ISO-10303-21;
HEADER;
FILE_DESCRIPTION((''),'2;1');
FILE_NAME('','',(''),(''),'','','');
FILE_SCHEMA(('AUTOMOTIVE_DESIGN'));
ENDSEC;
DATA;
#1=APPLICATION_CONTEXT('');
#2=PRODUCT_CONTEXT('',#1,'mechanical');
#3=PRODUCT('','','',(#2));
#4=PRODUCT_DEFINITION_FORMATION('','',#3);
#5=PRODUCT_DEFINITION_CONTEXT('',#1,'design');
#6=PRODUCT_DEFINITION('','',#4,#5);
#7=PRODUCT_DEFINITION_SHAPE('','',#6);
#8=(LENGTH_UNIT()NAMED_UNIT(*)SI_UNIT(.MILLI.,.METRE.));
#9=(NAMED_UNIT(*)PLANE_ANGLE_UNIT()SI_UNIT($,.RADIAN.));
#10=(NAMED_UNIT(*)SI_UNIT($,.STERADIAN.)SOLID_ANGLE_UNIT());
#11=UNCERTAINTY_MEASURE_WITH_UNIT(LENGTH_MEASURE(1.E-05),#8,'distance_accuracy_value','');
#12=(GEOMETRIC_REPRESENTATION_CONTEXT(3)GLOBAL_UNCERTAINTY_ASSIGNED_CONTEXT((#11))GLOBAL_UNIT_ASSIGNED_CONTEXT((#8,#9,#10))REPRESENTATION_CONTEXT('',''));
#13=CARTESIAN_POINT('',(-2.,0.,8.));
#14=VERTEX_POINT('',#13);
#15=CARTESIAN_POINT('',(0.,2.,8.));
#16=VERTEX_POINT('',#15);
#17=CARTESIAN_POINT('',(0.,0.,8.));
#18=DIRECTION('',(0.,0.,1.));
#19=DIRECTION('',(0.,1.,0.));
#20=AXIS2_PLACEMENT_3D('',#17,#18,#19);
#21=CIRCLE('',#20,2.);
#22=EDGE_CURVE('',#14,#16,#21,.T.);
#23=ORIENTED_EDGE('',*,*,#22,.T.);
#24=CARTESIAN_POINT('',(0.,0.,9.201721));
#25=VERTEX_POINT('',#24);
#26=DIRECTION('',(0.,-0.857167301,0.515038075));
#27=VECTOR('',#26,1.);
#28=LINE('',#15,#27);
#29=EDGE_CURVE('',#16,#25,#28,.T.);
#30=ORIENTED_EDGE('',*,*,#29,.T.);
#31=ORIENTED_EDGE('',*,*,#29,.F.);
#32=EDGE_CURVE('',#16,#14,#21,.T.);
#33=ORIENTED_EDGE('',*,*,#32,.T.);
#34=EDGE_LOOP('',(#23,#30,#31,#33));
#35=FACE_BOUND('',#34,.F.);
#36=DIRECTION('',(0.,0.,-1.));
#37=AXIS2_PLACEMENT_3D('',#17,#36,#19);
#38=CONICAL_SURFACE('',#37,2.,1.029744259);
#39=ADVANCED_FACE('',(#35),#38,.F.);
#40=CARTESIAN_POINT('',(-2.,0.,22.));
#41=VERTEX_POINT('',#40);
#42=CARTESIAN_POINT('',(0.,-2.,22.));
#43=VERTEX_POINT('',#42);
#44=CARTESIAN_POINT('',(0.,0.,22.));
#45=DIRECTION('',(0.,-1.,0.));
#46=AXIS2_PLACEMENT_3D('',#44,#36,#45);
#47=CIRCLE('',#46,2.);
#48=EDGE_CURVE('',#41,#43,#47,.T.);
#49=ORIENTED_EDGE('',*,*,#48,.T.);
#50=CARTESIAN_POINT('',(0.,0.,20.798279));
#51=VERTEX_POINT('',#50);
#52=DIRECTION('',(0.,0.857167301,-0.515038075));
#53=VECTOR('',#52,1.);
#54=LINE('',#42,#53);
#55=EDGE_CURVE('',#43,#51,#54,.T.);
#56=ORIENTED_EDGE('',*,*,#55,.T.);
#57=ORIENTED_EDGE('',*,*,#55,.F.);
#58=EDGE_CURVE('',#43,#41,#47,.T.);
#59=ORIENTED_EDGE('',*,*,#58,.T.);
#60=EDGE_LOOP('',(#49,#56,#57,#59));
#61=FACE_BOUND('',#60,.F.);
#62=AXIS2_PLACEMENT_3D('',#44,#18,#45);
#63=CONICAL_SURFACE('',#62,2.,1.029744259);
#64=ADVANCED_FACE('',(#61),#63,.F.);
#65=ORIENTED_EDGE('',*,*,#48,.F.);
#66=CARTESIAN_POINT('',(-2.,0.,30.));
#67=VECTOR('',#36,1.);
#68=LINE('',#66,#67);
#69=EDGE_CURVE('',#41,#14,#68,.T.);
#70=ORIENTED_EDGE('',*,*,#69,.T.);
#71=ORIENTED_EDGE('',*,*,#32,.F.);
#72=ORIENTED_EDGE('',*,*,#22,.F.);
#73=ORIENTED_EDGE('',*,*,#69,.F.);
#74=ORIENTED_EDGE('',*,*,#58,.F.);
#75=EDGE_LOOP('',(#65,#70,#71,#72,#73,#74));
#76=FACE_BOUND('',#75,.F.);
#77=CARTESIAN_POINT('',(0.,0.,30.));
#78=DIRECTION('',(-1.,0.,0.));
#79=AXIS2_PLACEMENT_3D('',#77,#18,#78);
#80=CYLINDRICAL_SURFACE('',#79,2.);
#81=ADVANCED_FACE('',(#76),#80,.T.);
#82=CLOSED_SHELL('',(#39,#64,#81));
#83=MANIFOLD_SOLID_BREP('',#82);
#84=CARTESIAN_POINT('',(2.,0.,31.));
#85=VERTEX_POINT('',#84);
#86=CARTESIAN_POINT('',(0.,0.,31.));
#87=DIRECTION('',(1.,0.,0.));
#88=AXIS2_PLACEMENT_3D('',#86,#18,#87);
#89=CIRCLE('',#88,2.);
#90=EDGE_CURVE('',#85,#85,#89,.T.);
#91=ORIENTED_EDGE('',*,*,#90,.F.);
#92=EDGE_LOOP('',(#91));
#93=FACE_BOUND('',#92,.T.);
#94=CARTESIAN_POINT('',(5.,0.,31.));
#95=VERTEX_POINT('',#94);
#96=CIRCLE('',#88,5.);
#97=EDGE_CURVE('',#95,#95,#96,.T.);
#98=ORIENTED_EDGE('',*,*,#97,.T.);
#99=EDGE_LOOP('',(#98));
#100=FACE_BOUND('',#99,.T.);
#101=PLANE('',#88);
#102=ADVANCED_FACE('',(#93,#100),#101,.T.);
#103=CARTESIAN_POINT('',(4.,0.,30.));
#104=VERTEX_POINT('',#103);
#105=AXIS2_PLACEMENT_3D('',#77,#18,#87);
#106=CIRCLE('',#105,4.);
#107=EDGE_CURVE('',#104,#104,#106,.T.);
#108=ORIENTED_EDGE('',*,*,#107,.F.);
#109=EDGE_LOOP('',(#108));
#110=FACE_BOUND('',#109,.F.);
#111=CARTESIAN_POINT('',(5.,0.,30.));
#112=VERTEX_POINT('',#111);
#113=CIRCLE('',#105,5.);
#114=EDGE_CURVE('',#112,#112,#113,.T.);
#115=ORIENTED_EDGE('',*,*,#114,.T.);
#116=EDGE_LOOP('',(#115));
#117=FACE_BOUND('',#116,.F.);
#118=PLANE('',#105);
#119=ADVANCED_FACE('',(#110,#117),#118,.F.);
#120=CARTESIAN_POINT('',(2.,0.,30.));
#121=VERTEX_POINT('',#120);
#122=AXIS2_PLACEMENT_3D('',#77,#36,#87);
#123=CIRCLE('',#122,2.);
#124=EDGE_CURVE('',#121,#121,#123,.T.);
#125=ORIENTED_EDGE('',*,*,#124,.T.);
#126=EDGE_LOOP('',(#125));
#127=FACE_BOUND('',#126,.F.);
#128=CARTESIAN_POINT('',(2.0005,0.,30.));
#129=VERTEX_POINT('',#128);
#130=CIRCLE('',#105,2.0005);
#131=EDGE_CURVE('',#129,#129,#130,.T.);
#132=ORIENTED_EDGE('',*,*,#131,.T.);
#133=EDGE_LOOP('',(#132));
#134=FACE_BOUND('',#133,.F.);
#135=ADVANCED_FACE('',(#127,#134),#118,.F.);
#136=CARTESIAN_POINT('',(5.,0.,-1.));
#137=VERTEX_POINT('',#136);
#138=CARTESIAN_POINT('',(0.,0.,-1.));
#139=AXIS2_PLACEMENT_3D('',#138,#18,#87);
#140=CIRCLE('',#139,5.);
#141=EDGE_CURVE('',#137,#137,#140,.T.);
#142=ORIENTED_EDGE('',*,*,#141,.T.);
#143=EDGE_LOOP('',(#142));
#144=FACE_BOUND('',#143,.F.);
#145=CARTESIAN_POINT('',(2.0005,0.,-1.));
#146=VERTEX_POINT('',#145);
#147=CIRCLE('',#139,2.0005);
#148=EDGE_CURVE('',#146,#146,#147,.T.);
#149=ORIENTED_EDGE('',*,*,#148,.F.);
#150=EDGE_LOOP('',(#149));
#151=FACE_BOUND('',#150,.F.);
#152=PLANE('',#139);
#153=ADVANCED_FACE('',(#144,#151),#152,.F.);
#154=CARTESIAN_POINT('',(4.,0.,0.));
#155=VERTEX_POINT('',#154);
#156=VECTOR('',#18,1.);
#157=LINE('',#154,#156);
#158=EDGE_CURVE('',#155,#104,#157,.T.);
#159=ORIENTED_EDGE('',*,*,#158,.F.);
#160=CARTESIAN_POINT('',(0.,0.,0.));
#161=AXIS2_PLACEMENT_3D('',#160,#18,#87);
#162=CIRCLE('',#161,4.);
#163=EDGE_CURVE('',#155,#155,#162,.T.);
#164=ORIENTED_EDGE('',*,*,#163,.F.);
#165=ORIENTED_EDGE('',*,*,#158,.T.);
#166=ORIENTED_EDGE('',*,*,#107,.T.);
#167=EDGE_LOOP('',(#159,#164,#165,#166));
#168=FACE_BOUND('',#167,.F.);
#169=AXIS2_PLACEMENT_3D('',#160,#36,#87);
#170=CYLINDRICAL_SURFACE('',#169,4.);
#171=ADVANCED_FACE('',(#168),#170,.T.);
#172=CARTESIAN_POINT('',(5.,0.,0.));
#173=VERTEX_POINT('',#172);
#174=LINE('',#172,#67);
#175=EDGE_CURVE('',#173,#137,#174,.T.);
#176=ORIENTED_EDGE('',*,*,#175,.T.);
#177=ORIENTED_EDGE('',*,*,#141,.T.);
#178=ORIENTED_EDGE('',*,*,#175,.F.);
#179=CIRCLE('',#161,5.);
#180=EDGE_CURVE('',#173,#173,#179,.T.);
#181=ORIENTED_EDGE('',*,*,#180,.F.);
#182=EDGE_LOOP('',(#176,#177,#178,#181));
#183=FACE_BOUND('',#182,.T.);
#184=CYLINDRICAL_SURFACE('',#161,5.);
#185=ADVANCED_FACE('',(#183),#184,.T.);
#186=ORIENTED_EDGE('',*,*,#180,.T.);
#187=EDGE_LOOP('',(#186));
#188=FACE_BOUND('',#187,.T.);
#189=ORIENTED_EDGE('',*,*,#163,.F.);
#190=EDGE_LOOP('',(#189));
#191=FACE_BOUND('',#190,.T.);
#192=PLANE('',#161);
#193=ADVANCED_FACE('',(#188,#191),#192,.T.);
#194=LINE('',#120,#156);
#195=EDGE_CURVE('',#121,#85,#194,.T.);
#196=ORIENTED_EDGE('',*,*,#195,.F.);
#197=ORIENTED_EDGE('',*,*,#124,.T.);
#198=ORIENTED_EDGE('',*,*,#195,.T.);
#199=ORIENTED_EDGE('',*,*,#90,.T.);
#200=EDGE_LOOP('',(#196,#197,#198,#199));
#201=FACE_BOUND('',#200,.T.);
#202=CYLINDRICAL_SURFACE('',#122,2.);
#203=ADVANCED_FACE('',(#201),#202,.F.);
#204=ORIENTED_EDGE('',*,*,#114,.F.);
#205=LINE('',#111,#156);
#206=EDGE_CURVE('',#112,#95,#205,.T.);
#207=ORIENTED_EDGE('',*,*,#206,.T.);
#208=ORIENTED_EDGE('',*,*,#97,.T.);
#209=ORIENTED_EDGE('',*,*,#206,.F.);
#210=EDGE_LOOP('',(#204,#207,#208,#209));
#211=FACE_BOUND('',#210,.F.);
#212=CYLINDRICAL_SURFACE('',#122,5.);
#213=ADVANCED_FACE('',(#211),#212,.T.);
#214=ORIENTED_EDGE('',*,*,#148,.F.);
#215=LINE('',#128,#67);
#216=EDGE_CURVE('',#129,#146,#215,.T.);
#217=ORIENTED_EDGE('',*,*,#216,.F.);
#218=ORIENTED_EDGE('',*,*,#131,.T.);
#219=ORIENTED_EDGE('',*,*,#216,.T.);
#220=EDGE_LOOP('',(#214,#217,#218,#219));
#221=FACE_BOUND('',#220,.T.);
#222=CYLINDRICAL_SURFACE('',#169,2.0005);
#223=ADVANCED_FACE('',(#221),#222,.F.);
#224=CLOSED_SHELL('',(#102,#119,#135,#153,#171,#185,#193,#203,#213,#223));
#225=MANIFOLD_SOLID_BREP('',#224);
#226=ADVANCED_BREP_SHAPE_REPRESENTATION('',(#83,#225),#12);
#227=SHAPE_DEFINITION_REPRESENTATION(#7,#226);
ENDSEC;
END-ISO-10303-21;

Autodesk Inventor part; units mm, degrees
ref_plane "YZ Plane" through (0, 0, 0) normal (1, 0, 0) x (0, 1, 0)
ref_plane "XZ Plane" through (0, 0, 0) normal (0, 1, 0) x (-1, 0, 0)
ref_plane "XY Plane" through (0, 0, 0) normal (0, 0, 1) x (1, 0, 0)
sketch "スケッチ1" plane through (0, 0, 0) normal (0, 0, 1) x (1, 0, 0)
  circle A0 centre (0, 0) radius 4
  circle A1 centre (0, 0) radius 2.0005
  circle A2 centre (0, 0) radius 5
  dimension "d0" = 8
  dimension "d1" = 4.001
  dimension "d2" = 10
extrude "押し出し1" add sketch "スケッチ1" along normal blind 30 contours A0
extrude "押し出し2" add sketch "スケッチ1" against normal blind 1 contours A0 | A2
sketch "スケッチ2" plane through (0, 0, 30) normal (0, 0, 1) x (1, 0, 0)
  circle A0 centre (0, 0) radius 5
  circle A1 centre (0, 0) radius 2
  dimension "d7" = 10
extrude "押し出し3" add sketch "スケッチ2" along normal blind 1
sketch "スケッチ3" plane through (0, 0, 30) normal (0, 0, -1) x (-1, 0, 0)
  circle A0 centre (0, 0) radius 2
  dimension "d10" = 4
extrude "押し出し4" add sketch "スケッチ3" along normal blind 30
hole "穴1" at (0, 0, 30) direction (0, 0, -1) diameter 4 depth 8 tip angle 118
hole "穴2" at (0, 0, 0) direction (0, 0, 1) diameter 4 depth 8 tip angle 118
properties part number "スペーサー　m4-32(ワッシャー1×2)" material "アルミニウム 2014-T4"
